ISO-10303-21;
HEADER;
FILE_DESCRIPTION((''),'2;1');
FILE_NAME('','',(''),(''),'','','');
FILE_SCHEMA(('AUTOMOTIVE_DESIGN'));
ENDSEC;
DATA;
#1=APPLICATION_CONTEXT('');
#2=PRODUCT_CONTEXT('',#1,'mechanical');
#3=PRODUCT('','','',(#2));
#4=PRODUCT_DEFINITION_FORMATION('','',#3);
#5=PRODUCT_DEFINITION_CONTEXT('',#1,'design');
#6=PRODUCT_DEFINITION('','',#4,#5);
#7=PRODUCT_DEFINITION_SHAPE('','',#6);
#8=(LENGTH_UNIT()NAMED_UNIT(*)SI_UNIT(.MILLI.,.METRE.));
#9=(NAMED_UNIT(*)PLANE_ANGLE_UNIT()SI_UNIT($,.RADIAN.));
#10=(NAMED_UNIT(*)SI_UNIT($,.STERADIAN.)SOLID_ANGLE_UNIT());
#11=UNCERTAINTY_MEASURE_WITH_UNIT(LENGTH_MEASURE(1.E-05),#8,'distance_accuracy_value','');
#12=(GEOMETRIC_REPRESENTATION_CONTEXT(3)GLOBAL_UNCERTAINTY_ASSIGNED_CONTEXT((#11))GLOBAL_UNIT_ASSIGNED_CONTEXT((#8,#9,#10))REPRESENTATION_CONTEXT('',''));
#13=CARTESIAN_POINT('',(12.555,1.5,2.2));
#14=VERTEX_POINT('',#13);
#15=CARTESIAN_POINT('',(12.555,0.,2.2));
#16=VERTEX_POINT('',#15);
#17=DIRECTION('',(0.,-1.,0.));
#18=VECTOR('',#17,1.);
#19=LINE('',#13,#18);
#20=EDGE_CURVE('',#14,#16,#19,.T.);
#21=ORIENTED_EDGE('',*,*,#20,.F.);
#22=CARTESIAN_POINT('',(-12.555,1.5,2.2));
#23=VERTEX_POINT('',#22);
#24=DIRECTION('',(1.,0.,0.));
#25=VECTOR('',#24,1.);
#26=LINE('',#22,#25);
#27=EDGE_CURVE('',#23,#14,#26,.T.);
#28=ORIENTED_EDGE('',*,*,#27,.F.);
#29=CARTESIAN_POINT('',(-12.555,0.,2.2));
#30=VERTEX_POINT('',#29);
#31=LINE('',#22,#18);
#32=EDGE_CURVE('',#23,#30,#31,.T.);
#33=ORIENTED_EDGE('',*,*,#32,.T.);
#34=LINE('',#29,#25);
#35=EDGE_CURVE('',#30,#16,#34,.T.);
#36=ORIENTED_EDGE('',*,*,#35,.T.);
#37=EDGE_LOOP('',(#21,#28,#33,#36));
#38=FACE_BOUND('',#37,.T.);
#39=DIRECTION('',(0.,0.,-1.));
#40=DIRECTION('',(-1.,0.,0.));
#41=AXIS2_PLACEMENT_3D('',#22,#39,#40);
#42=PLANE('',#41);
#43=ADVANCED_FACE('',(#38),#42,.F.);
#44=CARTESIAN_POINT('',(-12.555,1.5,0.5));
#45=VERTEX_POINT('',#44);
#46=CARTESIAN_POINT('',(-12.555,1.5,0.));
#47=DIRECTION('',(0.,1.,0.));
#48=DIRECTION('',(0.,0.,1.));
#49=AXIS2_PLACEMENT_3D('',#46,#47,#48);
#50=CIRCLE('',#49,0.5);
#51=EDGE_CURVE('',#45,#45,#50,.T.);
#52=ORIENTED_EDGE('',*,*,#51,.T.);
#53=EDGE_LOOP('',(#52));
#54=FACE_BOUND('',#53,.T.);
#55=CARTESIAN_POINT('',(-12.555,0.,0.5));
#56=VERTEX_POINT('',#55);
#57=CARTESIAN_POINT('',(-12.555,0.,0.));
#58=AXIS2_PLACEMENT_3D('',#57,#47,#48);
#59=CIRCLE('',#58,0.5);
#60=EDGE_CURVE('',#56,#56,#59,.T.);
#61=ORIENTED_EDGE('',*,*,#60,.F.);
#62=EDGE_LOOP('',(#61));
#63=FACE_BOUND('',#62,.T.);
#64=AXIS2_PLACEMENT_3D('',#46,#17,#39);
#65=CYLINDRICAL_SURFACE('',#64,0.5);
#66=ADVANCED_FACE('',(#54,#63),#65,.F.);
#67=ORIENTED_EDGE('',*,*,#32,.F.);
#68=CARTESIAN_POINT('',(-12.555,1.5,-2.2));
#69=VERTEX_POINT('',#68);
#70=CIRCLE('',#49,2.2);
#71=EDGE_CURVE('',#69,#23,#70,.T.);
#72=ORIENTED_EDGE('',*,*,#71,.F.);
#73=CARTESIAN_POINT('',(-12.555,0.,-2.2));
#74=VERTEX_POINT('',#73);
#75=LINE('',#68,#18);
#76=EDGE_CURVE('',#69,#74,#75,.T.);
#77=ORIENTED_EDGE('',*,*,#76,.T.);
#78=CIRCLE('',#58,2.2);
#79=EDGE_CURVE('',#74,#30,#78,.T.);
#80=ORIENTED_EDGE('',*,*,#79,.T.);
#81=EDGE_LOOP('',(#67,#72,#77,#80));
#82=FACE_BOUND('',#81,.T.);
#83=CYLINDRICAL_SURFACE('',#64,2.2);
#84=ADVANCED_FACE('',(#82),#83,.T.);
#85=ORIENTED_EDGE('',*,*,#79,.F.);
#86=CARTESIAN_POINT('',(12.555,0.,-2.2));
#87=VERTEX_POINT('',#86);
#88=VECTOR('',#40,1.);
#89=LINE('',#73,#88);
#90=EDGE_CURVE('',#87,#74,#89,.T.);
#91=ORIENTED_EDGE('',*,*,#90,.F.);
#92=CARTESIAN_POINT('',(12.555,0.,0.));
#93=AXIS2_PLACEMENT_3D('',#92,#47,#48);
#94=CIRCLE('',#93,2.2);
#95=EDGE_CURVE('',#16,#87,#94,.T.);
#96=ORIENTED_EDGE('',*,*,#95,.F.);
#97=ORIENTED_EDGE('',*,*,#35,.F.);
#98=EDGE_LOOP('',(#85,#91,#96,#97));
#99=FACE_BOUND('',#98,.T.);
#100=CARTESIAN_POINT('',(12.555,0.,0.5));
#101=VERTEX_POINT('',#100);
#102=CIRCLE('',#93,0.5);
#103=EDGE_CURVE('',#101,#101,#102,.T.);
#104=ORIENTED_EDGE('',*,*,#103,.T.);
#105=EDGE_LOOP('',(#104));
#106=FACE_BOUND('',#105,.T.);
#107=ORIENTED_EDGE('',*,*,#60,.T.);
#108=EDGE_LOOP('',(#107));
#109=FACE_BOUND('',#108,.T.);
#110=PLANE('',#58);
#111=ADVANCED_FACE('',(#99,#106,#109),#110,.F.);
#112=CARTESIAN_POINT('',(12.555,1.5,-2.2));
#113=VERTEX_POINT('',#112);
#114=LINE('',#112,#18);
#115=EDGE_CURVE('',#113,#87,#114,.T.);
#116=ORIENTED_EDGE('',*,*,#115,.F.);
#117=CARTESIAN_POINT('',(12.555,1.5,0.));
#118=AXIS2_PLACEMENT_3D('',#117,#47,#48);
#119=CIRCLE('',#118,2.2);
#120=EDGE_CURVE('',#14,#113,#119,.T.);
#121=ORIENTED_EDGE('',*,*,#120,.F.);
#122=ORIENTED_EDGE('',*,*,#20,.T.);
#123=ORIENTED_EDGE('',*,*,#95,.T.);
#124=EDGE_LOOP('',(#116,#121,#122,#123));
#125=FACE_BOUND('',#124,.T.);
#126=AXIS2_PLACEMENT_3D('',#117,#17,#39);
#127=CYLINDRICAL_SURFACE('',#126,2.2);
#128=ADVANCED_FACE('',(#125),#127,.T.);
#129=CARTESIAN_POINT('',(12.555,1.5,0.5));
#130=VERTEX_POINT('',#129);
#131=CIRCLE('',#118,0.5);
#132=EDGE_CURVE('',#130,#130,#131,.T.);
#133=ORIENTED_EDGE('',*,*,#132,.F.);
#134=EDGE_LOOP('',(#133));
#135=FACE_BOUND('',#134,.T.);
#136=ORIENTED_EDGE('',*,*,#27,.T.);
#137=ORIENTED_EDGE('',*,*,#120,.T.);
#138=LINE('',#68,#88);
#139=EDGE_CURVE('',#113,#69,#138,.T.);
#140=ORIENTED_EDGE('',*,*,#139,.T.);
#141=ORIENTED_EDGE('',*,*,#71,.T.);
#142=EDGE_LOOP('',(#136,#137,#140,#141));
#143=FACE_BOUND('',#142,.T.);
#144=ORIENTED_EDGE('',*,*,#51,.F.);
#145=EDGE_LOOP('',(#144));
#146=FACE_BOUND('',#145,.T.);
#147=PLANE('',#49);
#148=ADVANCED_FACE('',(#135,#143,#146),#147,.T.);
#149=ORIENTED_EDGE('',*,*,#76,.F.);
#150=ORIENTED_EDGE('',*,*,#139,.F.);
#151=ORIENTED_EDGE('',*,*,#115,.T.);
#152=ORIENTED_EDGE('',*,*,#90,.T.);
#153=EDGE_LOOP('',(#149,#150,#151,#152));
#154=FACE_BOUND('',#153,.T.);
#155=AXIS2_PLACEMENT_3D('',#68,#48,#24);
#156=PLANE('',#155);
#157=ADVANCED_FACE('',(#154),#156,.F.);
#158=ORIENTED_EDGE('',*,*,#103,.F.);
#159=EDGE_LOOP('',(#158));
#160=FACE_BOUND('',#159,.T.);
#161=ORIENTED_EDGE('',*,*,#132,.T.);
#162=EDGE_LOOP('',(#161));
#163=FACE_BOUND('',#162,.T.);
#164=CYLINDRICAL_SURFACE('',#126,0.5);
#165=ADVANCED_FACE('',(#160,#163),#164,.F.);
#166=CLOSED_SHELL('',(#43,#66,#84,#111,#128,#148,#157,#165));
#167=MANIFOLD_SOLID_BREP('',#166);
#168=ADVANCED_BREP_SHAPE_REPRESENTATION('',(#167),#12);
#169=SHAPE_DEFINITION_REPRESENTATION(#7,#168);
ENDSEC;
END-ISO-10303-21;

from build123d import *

# Parameters (mm, degrees)
SKETCH_1_R      = 0.5
EXTRUDE_1_DEPTH = 1.5


with BuildPart() as part:
    # 草图1 → 凸台-拉伸1 (new body)
    with BuildSketch(Plane(origin=(0, 0, 0), x_dir=(1, 0, 0), z_dir=(0, 1, 0))):
        with BuildLine():
            Line((-12.555, 2.2), (12.555, 2.2))
            ThreePointArc((12.555, 2.2), (14.755, 0), (12.555, -2.2))
            Line((12.555, -2.2), (-12.555, -2.2))
            ThreePointArc((-12.555, -2.2), (-14.755, 0), (-12.555, 2.2))
        make_face()
        with Locations((-12.555, 0)):
            Circle(SKETCH_1_R, mode=Mode.SUBTRACT)
        with Locations((12.555, 0)):
            Circle(SKETCH_1_R, mode=Mode.SUBTRACT)
    extrude(amount=EXTRUDE_1_DEPTH)


solid = part.part
